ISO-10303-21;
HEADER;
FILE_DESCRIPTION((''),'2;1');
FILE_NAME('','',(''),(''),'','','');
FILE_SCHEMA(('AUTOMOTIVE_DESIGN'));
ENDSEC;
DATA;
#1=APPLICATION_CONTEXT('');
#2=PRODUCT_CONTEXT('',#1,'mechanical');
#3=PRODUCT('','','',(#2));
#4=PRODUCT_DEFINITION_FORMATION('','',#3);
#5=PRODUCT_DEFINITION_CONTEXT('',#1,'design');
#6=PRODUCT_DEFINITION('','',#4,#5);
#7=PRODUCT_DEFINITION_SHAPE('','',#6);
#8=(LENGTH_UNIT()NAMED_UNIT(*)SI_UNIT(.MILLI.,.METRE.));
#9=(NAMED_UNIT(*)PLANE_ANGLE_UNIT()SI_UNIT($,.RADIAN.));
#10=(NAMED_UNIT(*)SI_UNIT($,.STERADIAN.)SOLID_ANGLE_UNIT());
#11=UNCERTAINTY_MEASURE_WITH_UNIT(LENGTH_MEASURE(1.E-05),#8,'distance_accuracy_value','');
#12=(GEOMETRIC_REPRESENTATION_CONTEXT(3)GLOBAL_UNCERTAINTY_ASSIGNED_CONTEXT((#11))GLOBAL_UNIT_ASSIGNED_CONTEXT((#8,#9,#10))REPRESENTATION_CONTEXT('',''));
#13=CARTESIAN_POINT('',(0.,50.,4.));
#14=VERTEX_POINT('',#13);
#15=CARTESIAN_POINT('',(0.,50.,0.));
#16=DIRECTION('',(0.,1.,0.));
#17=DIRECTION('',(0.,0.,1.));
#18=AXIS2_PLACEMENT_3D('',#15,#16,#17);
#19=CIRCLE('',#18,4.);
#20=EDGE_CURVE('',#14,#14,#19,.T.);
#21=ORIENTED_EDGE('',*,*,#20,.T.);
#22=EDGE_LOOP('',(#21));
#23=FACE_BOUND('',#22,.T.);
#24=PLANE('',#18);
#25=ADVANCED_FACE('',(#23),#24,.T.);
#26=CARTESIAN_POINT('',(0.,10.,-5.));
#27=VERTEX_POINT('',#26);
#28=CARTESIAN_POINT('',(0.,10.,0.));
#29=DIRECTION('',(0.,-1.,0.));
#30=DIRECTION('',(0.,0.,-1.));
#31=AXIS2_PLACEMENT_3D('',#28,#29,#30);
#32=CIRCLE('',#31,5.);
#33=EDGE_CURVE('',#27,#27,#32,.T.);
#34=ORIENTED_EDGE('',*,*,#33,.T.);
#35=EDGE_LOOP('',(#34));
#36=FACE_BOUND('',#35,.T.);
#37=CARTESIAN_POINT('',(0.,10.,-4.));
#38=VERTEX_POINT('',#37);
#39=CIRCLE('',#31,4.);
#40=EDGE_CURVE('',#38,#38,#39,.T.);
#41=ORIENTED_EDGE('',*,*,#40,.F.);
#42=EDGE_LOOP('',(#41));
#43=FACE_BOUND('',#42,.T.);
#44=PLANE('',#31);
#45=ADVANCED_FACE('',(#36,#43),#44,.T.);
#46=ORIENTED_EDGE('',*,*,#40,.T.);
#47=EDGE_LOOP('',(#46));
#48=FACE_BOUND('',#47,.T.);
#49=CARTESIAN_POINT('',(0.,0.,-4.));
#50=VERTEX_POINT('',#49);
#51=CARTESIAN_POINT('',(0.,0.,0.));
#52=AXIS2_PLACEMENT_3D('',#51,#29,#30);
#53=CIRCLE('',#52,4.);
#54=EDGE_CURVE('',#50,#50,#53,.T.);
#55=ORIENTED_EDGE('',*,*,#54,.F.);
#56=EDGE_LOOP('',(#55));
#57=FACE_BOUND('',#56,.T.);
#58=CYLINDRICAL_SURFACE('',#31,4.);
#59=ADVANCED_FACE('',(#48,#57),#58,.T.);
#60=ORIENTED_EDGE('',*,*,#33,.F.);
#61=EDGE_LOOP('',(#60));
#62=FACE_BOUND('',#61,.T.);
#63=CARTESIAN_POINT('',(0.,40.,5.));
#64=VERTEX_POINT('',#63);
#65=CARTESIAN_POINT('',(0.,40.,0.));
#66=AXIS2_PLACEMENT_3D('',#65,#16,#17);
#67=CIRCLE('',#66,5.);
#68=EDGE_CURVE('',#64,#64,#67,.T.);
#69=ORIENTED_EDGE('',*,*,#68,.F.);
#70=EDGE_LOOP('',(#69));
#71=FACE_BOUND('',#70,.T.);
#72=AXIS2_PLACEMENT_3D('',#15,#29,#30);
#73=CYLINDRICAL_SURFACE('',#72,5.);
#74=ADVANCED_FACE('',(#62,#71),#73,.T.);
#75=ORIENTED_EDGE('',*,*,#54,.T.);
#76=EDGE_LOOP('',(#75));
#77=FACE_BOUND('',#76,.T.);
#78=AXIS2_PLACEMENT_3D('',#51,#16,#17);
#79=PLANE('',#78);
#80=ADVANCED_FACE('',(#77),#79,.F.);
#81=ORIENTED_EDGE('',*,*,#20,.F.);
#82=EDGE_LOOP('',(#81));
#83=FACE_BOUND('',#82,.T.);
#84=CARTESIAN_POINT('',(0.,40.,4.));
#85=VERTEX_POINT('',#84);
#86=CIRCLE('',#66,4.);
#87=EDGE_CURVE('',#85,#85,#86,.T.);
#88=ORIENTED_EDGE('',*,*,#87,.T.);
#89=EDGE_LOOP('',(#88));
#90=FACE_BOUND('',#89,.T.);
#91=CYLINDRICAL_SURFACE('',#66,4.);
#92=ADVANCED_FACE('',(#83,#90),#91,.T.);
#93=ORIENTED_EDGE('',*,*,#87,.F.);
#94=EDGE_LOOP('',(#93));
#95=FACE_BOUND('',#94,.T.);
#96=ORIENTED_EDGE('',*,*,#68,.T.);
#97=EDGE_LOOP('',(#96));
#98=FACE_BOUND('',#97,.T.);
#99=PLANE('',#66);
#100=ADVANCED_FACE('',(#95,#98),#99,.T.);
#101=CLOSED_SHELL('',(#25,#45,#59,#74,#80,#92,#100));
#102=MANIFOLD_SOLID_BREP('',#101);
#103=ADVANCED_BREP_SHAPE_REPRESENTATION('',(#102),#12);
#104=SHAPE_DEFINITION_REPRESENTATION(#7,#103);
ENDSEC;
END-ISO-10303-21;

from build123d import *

# Parameters (mm, degrees)
SKETCH1_R           = 5
BOSS_EXTRUDE1_DEPTH = 50
CUT_EXTRUDE1_START  = -10
SKETCH2_R           = 5
SKETCH2_R_2         = 4
CUT_EXTRUDE1_DEPTH  = 10
SKETCH3_R           = 5
SKETCH3_R_2         = 4
CUT_EXTRUDE2_DEPTH  = 10


with BuildPart() as part:
    # Sketch1 → Boss-Extrude1 (new body)
    with BuildSketch(Plane(origin=(0, 0, 0), x_dir=(1, 0, 0), z_dir=(0, 1, 0))):
        with Locations(Location((0, 0, 0), (0, 0, 270))):
            Circle(SKETCH1_R)
    extrude(amount=BOSS_EXTRUDE1_DEPTH)

    # Sketch2 → Cut-Extrude1 (cut)
    with BuildSketch(Plane(origin=(0, 50, 0), x_dir=(1, 0, 0), z_dir=(0, 1, 0)).offset(CUT_EXTRUDE1_START)):
        with Locations(Location((0, 0, 0), (0, 0, 270))):
            Circle(SKETCH2_R)
        with Locations(Location((0, 0, 0), (0, 0, 270))):
            Circle(SKETCH2_R_2, mode=Mode.SUBTRACT)
    extrude(amount=CUT_EXTRUDE1_DEPTH, mode=Mode.SUBTRACT)

    # Sketch3 → Cut-Extrude2 (cut)
    with BuildSketch(Plane.XZ):
        with Locations(Location((0, 0, 0), (0, 0, 270))):
            Circle(SKETCH3_R)
        with Locations(Location((0, 0, 0), (0, 0, 90))):
            Circle(SKETCH3_R_2, mode=Mode.SUBTRACT)
    extrude(amount=-CUT_EXTRUDE2_DEPTH, mode=Mode.SUBTRACT)


solid = part.part
